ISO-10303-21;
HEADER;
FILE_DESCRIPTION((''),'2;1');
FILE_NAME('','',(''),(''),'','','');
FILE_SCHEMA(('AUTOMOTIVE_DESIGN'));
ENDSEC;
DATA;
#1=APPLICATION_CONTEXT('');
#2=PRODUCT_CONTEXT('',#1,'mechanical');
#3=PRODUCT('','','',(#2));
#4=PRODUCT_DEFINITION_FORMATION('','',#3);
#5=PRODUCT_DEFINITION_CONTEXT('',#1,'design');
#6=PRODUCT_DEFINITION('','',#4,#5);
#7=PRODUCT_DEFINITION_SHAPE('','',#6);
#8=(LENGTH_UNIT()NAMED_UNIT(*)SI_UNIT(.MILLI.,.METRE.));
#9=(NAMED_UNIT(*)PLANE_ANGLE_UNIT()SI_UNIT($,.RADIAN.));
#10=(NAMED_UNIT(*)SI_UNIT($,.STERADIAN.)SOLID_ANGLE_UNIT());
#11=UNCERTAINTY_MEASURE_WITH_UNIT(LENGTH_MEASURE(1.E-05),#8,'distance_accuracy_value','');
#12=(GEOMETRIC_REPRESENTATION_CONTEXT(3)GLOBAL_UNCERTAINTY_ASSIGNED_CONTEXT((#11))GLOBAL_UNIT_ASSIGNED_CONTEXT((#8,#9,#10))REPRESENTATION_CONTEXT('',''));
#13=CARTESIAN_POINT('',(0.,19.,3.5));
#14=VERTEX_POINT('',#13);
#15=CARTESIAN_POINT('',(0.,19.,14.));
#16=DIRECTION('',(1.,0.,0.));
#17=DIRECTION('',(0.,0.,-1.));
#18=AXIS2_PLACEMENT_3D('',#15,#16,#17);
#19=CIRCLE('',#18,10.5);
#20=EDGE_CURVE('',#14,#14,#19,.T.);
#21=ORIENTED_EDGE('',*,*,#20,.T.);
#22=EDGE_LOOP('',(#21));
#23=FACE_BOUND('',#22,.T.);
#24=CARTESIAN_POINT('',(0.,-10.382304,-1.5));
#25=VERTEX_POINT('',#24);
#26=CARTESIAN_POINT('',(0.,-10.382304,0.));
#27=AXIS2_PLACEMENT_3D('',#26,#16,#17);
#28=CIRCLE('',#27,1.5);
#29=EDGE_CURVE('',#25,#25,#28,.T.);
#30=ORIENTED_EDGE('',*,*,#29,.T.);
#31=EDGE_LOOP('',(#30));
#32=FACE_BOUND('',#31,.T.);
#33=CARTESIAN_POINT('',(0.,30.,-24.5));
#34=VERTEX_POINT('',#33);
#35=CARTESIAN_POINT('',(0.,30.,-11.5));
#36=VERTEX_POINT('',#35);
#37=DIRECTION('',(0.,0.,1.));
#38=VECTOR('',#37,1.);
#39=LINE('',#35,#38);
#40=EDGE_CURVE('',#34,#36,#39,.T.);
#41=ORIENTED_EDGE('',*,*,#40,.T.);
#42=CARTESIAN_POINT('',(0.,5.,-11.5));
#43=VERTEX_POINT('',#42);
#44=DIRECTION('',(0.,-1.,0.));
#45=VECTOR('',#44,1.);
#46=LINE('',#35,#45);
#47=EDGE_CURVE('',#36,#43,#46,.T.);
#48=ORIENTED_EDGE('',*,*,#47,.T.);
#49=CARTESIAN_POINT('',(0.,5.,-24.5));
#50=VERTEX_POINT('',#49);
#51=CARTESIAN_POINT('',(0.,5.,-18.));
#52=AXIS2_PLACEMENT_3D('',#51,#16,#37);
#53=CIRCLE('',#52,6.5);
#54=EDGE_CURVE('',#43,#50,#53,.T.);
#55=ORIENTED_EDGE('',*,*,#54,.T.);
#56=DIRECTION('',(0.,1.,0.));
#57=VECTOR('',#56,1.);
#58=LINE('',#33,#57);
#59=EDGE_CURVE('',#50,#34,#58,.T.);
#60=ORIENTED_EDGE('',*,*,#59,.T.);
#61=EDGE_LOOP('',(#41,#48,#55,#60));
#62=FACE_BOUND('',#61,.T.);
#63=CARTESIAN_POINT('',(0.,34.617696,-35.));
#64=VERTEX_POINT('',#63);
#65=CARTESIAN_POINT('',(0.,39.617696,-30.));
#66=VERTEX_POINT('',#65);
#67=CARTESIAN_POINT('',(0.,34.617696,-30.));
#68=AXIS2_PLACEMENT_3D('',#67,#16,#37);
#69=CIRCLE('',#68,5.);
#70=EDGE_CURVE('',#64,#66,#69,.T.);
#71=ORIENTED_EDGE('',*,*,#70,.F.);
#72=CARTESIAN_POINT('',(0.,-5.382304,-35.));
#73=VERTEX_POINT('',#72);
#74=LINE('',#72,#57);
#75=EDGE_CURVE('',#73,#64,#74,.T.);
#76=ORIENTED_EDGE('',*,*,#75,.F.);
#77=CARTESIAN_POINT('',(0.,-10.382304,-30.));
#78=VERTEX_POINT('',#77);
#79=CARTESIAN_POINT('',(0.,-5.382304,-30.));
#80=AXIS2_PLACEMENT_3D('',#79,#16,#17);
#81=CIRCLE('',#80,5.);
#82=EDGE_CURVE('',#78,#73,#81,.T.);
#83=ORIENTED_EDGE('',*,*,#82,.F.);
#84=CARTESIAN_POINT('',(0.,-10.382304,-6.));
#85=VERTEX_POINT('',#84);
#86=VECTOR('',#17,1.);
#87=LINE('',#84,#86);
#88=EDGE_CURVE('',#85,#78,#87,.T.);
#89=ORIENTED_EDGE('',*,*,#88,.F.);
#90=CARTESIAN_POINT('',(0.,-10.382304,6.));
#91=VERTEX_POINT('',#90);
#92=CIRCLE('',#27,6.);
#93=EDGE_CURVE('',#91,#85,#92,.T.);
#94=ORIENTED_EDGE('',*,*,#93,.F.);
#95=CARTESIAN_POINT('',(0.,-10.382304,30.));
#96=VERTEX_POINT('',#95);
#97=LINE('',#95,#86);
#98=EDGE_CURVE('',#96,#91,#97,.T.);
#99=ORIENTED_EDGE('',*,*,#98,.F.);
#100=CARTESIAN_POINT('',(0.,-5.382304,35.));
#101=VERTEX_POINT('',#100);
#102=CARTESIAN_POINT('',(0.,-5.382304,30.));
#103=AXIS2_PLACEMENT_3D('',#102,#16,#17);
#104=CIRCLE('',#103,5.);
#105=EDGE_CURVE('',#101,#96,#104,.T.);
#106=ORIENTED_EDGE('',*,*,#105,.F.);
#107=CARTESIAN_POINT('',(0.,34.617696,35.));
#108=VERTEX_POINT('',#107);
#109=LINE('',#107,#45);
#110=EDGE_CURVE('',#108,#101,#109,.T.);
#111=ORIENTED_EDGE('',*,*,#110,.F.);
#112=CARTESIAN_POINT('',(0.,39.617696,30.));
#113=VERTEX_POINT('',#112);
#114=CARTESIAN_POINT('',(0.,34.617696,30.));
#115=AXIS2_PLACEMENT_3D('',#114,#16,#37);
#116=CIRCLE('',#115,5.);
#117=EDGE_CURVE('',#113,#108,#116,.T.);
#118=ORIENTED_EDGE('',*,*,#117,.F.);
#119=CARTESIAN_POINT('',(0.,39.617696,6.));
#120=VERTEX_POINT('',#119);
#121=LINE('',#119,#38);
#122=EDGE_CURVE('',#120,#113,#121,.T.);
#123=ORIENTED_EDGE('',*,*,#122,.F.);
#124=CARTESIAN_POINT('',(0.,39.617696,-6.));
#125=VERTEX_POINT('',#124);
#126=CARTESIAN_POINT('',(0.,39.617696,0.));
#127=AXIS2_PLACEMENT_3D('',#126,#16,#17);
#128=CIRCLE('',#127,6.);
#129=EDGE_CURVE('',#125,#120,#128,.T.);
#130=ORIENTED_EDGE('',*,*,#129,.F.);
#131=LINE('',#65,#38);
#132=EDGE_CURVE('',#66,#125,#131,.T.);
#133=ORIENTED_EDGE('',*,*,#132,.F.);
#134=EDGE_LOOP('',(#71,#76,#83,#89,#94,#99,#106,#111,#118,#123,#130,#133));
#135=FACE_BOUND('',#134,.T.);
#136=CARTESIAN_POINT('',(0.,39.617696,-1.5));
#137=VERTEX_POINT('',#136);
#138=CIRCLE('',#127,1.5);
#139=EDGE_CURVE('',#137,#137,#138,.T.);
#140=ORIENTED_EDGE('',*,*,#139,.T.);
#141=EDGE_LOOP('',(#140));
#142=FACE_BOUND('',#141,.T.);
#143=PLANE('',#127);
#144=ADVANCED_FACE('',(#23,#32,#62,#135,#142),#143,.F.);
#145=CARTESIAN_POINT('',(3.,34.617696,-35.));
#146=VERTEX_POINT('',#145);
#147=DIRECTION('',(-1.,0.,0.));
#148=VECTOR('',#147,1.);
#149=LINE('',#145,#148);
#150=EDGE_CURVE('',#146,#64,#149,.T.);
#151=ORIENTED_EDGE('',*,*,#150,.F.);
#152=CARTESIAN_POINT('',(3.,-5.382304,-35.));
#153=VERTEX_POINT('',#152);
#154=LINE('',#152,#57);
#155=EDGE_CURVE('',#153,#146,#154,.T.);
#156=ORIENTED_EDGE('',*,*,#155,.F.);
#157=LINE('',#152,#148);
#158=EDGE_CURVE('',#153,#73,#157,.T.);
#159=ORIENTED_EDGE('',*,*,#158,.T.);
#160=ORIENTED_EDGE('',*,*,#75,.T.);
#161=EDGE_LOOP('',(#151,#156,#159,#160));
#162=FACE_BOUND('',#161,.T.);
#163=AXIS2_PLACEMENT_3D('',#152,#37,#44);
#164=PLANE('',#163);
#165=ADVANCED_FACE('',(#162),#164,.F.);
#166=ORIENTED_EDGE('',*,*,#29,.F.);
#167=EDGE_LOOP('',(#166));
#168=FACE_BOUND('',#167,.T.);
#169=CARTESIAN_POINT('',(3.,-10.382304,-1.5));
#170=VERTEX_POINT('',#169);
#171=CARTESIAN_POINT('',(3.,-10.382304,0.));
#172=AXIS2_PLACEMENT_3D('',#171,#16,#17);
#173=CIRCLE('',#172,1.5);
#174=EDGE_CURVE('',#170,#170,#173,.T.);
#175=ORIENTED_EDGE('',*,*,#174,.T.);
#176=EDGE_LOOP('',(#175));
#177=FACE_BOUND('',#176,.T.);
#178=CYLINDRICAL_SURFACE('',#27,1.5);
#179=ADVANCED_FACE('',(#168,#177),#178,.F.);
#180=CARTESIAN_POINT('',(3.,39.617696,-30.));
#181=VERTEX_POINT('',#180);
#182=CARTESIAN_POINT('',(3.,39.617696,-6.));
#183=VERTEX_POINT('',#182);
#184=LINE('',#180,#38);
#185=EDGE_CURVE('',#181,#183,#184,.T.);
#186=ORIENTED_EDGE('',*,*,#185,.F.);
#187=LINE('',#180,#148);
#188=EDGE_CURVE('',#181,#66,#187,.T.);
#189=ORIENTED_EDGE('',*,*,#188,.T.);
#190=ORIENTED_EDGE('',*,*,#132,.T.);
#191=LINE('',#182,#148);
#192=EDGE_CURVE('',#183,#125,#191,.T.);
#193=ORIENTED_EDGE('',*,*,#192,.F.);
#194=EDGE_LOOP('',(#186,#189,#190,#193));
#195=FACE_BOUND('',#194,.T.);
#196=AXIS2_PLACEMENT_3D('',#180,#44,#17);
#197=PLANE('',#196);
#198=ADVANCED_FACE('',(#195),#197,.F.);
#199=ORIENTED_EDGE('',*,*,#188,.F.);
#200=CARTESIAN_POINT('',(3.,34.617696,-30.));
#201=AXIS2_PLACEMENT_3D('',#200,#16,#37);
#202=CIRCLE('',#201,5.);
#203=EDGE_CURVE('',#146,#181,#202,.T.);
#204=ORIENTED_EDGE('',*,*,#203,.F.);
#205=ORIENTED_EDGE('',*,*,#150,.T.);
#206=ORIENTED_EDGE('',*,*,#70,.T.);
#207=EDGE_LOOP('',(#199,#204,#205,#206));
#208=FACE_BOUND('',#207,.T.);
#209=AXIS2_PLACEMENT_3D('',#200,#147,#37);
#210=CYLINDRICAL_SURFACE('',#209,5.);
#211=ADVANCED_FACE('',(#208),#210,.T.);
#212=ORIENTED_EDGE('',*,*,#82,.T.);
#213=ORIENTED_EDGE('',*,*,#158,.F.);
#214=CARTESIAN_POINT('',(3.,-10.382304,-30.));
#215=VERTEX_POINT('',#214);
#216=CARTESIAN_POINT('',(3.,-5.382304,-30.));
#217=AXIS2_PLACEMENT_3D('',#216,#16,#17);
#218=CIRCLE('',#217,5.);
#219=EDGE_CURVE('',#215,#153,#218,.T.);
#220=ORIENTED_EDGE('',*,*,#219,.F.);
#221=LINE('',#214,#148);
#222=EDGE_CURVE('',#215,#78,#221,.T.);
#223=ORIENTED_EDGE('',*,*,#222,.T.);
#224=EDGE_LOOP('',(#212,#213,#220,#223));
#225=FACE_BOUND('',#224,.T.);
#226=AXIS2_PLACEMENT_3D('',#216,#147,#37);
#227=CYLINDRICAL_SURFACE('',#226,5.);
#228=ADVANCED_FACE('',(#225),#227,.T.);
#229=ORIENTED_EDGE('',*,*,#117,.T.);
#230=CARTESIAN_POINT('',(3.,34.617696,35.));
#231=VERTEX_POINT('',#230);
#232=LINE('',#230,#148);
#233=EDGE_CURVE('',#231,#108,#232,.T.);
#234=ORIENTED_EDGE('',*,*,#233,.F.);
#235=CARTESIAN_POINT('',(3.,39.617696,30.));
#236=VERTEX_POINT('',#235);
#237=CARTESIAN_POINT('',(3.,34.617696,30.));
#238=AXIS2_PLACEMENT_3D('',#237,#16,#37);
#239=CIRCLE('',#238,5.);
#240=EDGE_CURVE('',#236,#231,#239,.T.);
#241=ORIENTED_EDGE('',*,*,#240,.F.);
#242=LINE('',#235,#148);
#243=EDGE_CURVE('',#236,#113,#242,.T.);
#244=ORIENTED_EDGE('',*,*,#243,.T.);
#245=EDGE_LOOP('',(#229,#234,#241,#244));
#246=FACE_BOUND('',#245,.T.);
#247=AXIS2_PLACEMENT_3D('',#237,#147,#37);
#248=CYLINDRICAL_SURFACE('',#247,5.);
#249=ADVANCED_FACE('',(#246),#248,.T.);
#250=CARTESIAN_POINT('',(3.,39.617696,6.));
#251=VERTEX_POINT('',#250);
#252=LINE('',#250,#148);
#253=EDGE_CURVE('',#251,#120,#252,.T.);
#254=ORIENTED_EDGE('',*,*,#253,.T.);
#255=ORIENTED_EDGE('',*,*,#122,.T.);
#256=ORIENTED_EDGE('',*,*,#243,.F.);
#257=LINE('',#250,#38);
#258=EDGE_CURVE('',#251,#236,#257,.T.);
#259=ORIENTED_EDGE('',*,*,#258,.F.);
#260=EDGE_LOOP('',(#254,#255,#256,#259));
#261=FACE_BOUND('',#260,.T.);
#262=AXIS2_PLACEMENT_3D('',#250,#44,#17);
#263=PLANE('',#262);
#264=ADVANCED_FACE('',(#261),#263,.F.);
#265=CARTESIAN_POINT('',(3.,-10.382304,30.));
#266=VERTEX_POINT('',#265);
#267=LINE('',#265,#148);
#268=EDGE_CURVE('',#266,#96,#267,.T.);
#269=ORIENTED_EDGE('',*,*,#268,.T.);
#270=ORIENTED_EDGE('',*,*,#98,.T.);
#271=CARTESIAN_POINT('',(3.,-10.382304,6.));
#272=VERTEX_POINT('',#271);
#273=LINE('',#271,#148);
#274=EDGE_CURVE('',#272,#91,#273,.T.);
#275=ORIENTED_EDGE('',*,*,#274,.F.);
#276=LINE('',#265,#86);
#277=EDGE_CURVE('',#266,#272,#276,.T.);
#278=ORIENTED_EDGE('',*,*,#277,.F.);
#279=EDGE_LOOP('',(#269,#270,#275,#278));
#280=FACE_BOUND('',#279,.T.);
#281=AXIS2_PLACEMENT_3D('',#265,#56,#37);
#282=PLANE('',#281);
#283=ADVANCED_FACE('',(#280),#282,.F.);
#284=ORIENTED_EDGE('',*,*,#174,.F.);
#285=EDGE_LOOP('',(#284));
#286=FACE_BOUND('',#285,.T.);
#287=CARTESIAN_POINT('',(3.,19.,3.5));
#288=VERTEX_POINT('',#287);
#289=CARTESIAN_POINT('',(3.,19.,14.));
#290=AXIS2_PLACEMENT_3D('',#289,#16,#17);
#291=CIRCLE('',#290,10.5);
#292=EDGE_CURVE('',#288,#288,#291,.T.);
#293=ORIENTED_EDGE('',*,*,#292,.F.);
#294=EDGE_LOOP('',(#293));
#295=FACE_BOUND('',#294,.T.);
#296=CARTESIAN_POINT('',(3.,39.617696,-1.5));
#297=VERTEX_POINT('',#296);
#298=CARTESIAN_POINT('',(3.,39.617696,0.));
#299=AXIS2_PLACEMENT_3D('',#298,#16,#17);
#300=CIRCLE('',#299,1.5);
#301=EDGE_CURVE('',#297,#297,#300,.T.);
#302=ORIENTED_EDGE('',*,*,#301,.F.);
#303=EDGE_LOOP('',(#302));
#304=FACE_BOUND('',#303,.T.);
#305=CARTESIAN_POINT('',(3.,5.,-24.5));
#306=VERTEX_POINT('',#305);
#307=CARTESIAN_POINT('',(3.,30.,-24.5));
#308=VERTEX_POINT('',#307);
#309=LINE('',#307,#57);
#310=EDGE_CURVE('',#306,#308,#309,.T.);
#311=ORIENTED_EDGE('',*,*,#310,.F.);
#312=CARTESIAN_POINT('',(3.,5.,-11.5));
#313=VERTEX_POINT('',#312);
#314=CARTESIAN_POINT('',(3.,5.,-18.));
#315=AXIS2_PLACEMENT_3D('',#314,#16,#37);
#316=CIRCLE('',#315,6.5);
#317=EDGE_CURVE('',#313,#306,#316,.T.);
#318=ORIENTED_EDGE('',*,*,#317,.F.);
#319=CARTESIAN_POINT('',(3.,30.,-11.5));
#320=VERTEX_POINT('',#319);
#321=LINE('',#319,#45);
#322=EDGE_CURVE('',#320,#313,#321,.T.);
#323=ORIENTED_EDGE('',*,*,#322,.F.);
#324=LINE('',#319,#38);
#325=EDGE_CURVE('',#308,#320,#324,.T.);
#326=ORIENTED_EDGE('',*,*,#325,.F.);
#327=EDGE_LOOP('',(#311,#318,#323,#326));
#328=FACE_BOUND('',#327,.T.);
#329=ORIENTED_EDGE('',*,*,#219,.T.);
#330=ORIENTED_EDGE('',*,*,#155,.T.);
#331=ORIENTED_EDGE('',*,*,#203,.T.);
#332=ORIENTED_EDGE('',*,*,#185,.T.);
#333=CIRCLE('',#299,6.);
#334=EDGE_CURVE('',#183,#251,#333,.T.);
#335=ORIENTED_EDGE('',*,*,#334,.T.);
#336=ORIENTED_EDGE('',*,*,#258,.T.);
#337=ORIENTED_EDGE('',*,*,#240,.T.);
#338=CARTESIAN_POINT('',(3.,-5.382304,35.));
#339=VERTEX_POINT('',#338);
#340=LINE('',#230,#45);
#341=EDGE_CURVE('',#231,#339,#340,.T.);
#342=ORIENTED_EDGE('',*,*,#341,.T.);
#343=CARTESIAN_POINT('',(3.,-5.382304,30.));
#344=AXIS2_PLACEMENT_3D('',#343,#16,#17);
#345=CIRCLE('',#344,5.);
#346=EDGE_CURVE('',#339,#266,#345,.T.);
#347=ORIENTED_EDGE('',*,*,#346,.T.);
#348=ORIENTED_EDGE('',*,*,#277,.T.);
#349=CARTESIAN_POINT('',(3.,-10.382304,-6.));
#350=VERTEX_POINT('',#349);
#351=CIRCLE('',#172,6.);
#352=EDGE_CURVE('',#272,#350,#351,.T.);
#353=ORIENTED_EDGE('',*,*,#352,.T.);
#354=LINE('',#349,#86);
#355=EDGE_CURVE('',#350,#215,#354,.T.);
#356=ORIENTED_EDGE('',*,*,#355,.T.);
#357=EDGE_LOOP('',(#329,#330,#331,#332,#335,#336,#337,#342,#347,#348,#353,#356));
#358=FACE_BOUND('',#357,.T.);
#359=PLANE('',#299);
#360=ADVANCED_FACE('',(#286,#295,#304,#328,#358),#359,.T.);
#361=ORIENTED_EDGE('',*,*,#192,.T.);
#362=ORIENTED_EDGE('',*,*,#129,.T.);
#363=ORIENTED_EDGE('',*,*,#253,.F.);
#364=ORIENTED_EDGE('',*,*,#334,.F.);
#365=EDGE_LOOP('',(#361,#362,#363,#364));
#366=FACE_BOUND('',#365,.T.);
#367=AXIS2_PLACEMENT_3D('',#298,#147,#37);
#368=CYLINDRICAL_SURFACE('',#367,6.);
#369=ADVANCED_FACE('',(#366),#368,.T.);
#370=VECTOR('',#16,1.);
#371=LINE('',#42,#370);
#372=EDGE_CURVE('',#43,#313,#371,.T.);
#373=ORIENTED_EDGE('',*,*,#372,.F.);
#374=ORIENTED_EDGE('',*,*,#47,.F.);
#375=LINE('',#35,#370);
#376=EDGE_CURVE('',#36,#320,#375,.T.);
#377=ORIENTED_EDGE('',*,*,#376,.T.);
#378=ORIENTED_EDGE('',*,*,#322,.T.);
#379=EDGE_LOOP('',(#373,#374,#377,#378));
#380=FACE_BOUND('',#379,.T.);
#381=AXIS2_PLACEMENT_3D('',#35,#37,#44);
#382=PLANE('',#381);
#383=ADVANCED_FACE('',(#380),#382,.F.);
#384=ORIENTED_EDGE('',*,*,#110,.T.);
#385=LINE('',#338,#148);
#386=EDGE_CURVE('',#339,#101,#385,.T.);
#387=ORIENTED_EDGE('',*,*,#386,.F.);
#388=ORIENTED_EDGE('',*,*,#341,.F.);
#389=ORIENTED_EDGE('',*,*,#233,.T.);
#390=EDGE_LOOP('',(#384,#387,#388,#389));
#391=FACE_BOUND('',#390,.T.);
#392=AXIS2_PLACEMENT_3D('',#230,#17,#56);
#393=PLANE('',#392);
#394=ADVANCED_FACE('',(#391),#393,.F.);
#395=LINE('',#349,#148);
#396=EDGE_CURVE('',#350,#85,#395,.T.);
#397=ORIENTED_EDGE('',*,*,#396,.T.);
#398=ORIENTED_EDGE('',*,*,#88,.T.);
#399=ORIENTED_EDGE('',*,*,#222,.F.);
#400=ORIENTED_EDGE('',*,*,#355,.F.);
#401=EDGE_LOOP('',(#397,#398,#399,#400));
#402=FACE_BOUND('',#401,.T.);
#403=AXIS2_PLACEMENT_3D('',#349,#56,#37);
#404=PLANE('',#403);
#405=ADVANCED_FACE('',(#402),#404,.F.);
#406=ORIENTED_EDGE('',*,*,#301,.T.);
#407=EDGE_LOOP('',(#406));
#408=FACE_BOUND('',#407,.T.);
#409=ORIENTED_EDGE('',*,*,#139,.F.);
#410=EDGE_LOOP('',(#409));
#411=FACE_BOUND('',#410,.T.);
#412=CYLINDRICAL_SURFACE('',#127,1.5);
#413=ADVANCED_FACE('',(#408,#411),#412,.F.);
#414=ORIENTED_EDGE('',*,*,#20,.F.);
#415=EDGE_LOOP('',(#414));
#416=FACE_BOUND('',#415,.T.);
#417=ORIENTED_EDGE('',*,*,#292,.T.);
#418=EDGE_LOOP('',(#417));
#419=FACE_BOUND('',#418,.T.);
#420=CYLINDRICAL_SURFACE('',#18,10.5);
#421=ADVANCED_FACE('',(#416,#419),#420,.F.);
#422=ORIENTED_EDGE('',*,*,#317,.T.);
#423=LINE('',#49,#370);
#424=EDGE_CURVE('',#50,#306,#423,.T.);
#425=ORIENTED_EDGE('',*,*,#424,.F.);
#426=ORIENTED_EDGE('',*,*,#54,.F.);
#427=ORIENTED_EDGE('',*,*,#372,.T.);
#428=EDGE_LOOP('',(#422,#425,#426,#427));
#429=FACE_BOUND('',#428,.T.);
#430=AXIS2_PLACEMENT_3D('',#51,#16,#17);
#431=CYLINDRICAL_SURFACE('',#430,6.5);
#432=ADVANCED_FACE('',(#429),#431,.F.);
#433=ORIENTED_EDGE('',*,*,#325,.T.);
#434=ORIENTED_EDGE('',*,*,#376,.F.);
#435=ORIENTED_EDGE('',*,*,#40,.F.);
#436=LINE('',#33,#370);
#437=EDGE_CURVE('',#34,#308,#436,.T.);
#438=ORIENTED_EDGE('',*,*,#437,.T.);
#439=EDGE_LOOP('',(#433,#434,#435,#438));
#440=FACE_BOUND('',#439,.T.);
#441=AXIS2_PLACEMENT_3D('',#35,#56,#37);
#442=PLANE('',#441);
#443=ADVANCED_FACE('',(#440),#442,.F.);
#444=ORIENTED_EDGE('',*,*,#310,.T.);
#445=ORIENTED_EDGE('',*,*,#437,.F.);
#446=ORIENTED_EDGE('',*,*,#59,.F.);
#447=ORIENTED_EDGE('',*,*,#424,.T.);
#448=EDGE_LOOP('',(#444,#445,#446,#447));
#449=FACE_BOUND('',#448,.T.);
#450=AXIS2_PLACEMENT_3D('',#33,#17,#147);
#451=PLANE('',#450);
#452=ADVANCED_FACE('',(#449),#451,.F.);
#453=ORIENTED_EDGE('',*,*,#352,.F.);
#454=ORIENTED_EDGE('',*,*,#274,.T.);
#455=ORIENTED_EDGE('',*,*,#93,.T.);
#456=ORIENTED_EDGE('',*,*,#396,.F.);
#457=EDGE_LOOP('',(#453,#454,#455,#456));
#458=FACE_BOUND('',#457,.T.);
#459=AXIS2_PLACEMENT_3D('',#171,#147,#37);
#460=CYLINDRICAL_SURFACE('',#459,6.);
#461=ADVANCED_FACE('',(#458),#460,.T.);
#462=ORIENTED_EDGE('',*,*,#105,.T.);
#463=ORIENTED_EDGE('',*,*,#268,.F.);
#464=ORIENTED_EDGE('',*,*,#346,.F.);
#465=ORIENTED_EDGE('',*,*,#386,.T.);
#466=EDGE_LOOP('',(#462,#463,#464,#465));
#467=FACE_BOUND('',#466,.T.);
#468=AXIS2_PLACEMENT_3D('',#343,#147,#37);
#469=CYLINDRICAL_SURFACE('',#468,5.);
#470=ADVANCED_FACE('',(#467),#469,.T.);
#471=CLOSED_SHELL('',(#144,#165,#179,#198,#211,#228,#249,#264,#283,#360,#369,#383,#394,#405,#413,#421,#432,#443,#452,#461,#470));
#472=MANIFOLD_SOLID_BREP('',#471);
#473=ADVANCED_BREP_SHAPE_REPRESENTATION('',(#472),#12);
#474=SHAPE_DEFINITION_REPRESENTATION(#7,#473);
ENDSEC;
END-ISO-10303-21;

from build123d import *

# Parameters (mm, degrees)
BOSS_EXTRUDE1_DEPTH = 3
SKETCH2_R           = 1.5
SKETCH2_R_2         = 10.5
CUT_EXTRUDE1_DEPTH  = 4


with BuildPart() as part:
    # Sketch1 → Boss-Extrude1 (new body)
    with BuildSketch(Plane(origin=(0, 0, 0), x_dir=(0, 0, -1), z_dir=(1, 0, 0))):
        with BuildLine():
            Line((35, -5.382304056), (35, 34.617695944))
            ThreePointArc((35, 34.617695944), (33.535533906, 38.15322985), (30, 39.617695944))
            Line((30, 39.617695944), (6, 39.617695944))
            ThreePointArc((6, 39.617695944), (0, 45.617695944), (-6, 39.617695944))
            Line((-6, 39.617695944), (-30, 39.617695944))
            ThreePointArc((-30, 39.617695944), (-33.535533906, 38.15322985), (-35, 34.617695944))
            Line((-35, 34.617695944), (-35, -5.382304056))
            ThreePointArc((-35, -5.382304056), (-33.535533906, -8.917837962), (-30, -10.382304056))
            Line((-30, -10.382304056), (-6, -10.382304056))
            ThreePointArc((-6, -10.382304056), (0, -16.382304056), (6, -10.382304056))
            Line((6, -10.382304056), (30, -10.382304056))
            ThreePointArc((30, -10.382304056), (33.535533906, -8.917837962), (35, -5.382304056))
        make_face()
    extrude(amount=BOSS_EXTRUDE1_DEPTH)

    # Sketch2 → Cut-Extrude1 (cut, through all)
    with BuildSketch(Plane(origin=(3, 0, 0), x_dir=(0, 0, -1), z_dir=(1, 0, 0))):
        with Locations((0, 39.617695944)):
            Circle(SKETCH2_R)
        with Locations((0, -10.382304056)):
            Circle(SKETCH2_R)
        with Locations((-14, 19)):
            Circle(SKETCH2_R_2)
        with BuildLine():
            Line((11.5, 30), (24.5, 30))
            Line((24.5, 30), (24.5, 5))
            ThreePointArc((24.5, 5), (18, -1.5), (11.5, 5))
            Line((11.5, 5), (11.5, 30))
        make_face()
    extrude(amount=-CUT_EXTRUDE1_DEPTH, mode=Mode.SUBTRACT)


solid = part.part
